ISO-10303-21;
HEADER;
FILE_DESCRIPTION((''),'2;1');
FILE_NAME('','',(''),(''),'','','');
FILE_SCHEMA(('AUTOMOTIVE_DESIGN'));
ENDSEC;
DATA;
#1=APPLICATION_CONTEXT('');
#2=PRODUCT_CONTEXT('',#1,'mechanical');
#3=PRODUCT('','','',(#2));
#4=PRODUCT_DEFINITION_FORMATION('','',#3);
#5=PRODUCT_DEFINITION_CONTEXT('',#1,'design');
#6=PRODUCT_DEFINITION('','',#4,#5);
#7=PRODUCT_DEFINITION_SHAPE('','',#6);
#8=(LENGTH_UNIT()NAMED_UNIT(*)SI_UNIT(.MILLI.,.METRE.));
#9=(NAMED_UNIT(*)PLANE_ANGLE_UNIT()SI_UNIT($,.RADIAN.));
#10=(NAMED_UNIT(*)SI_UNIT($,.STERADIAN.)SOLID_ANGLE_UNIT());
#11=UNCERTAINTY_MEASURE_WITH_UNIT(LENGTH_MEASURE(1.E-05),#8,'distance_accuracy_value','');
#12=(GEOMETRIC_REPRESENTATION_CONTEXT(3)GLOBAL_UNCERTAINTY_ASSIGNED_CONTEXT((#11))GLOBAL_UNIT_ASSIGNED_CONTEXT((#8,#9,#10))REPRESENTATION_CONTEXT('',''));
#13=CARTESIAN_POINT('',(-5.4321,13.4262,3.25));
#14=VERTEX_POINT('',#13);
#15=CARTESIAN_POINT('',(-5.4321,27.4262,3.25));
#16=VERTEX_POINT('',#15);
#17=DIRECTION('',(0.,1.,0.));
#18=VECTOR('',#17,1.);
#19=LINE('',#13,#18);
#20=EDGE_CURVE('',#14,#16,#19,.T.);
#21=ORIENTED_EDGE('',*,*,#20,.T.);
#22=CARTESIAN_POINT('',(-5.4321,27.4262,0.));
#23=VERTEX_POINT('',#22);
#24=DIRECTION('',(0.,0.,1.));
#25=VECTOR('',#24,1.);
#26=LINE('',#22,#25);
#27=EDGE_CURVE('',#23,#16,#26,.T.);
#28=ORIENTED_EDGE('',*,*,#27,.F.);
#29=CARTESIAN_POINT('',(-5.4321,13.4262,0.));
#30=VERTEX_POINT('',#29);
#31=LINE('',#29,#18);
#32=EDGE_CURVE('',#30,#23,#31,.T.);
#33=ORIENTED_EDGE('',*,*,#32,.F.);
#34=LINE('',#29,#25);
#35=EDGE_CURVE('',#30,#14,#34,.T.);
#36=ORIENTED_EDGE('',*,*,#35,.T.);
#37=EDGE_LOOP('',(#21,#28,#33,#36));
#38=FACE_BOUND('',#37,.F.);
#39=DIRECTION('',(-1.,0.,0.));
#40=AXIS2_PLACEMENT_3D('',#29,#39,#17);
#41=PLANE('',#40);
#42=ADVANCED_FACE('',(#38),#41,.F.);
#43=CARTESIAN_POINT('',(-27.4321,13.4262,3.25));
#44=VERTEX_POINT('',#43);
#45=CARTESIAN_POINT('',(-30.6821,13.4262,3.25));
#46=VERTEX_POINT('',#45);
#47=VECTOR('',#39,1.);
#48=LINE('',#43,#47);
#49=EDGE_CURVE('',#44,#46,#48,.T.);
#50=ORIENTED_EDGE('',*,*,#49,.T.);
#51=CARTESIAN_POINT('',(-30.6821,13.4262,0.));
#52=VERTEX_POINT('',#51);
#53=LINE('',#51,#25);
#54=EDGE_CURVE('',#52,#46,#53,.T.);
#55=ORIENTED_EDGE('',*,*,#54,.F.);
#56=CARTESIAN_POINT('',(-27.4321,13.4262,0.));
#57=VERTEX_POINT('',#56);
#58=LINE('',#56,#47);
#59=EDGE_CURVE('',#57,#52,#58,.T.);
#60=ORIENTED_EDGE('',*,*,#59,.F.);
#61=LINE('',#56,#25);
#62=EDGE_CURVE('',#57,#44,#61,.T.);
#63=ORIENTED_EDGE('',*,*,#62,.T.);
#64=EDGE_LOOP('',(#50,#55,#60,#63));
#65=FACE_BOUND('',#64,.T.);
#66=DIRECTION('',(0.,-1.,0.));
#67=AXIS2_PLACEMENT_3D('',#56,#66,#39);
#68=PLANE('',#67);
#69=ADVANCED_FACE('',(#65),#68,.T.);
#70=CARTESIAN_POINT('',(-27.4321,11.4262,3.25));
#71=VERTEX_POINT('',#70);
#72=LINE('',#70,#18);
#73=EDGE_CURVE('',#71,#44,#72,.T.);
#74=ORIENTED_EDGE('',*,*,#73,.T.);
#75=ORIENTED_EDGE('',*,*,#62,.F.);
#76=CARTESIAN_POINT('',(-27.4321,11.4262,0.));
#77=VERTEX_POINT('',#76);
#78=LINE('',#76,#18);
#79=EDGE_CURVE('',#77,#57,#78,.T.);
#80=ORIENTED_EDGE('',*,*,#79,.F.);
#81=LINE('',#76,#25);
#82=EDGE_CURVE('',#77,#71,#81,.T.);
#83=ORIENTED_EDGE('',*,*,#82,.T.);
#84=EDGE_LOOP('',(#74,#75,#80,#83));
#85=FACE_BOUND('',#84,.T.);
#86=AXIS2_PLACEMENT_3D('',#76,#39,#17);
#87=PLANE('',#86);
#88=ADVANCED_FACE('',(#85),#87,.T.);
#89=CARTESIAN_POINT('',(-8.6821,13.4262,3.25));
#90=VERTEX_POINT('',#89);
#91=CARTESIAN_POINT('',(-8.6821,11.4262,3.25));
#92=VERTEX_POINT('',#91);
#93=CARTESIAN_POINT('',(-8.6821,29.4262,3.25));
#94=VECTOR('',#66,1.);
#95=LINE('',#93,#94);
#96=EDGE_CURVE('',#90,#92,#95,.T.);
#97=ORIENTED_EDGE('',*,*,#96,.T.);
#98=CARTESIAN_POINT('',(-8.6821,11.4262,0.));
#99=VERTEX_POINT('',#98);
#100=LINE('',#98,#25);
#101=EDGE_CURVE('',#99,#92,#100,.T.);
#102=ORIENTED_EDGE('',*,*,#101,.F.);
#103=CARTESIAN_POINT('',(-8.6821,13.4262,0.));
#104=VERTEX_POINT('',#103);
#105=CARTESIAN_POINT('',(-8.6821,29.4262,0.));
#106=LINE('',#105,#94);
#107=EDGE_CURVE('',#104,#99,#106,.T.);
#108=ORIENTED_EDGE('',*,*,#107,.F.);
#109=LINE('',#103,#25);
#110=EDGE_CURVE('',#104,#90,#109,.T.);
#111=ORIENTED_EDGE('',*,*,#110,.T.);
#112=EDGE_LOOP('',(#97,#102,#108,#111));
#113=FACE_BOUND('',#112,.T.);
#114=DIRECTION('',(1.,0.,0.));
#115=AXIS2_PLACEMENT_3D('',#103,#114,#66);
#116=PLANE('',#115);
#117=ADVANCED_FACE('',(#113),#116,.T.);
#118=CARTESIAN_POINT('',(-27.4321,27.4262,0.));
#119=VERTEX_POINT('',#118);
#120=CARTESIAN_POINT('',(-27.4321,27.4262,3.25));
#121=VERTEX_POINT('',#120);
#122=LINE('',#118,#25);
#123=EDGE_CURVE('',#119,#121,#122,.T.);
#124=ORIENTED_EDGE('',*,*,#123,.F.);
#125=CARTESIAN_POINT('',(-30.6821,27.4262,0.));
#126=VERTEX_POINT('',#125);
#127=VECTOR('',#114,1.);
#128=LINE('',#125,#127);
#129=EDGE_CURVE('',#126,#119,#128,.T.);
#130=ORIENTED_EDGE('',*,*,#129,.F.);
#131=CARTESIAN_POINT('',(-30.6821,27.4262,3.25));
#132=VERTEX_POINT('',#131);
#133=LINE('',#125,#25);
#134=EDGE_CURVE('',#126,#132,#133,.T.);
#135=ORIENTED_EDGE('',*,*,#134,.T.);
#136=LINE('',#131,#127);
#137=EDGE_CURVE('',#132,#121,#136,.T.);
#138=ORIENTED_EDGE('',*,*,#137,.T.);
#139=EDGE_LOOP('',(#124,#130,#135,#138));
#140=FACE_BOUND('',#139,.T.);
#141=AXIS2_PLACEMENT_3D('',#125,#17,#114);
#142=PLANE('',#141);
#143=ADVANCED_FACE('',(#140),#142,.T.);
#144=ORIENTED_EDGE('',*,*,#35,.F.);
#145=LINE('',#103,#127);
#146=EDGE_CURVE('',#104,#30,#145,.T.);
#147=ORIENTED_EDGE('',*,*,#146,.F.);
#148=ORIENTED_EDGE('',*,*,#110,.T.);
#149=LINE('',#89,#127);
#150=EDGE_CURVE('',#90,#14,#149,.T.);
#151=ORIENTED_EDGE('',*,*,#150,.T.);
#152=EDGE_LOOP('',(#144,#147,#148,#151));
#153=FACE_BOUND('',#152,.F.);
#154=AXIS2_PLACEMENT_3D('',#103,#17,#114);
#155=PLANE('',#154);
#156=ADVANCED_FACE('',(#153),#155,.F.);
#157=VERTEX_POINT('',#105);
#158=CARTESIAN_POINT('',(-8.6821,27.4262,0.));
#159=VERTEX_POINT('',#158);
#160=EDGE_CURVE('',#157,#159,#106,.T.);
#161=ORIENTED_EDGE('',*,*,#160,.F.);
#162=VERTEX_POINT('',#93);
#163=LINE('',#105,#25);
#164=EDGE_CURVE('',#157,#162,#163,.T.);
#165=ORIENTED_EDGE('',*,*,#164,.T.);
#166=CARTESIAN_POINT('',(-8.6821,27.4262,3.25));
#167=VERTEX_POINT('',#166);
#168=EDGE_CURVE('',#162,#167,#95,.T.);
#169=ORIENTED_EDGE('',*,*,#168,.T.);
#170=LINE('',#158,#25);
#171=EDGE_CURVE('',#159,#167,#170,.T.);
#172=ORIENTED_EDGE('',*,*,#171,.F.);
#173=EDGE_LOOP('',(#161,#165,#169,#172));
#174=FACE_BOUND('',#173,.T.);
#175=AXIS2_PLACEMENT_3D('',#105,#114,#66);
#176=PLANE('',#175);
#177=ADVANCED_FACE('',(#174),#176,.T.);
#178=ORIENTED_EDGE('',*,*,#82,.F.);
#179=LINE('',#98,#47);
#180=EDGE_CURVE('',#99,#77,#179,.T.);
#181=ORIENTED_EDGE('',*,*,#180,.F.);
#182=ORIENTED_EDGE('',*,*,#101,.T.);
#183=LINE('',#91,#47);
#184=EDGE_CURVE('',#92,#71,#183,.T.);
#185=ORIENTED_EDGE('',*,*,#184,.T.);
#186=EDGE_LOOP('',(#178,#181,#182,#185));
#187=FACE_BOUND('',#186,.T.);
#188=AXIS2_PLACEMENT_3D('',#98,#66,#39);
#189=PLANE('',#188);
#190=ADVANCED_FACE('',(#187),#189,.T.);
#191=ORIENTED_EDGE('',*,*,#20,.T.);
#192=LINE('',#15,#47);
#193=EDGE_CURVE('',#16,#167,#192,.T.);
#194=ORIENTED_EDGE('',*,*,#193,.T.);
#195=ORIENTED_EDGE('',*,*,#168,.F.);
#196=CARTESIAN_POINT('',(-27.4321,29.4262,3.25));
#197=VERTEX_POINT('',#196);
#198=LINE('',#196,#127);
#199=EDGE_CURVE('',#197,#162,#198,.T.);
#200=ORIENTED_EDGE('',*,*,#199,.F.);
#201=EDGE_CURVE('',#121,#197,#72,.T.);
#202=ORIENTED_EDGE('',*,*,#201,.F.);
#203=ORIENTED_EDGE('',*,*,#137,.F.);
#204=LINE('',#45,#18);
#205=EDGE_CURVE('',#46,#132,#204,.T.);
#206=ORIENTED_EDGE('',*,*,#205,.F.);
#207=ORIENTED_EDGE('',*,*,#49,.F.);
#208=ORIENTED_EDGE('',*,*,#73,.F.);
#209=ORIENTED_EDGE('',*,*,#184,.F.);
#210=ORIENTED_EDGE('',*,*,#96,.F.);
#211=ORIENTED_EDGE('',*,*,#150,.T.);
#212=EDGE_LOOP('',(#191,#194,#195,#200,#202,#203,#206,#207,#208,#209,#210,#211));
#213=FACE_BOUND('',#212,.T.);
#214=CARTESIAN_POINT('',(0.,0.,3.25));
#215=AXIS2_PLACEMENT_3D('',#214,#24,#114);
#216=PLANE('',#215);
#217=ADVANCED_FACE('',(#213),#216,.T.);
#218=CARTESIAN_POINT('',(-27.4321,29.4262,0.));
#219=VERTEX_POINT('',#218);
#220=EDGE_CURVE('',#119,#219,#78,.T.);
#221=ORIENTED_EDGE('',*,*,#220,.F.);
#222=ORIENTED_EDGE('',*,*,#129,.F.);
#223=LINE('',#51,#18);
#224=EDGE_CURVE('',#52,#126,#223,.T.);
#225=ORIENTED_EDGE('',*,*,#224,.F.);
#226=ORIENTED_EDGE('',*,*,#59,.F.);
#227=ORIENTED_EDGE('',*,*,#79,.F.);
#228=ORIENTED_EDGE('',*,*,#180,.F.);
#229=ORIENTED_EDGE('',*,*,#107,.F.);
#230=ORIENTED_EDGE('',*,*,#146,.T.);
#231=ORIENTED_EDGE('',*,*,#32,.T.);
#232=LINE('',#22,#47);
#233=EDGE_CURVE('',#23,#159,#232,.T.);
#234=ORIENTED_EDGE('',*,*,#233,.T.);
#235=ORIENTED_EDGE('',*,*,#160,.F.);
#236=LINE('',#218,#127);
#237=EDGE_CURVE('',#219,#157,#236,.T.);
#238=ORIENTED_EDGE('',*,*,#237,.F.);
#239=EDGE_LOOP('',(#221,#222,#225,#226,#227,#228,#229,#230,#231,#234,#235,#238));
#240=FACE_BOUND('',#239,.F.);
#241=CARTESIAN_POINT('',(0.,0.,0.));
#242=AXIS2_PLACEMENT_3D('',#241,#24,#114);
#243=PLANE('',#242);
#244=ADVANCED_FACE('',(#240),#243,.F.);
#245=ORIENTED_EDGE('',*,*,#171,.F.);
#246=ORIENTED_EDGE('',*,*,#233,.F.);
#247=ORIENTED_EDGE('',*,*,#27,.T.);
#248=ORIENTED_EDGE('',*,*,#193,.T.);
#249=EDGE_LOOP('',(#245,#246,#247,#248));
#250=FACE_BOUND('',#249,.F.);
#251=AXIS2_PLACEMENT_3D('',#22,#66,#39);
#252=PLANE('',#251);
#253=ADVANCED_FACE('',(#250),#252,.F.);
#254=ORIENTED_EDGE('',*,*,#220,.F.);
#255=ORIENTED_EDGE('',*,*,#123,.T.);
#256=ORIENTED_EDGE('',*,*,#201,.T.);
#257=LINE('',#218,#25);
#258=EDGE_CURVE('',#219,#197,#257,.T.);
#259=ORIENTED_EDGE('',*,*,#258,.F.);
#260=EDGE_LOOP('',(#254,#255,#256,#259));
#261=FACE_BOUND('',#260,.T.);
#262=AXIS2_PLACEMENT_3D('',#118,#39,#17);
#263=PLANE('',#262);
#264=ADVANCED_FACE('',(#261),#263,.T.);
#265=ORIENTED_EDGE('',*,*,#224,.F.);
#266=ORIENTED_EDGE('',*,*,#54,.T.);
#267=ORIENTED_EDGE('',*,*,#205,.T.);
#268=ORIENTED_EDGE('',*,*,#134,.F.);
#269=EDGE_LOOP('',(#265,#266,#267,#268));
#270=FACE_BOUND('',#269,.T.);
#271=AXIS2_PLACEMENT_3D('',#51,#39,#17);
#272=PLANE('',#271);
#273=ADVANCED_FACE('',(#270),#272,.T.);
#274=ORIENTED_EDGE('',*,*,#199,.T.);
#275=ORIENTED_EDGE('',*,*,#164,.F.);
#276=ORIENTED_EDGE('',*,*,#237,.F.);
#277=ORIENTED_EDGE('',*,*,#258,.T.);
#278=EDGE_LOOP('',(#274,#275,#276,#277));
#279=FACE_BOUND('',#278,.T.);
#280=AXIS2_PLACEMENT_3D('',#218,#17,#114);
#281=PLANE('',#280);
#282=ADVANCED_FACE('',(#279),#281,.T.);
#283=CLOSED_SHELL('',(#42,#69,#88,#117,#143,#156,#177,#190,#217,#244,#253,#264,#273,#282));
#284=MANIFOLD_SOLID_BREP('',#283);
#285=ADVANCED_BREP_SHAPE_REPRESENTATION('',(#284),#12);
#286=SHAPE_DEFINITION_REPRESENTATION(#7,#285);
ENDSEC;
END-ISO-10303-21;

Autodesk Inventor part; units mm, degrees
ref_plane "YZ Plane" through (0, 0, 0) normal (1, 0, 0) x (0, 1, 0)
ref_plane "XZ Plane" through (0, 0, 0) normal (0, 1, 0) x (-1, 0, 0)
ref_plane "XY Plane" through (0, 0, 0) normal (0, 0, 1) x (1, 0, 0)
sketch "Block1" plane through (0, 0, 0) normal (0, 0, 1) x (1, 0, 0)
  circle A0 centre (74.029, 24.2723) radius 1
  line L0 (49.279, 30.4723) -> (71.779, 30.4723)
  line L1 (71.779, 30.4723) -> (71.779, 18.0723)
  line L2 (71.779, 18.0723) -> (49.279, 18.0723)
  line L3 (49.279, 18.0723) -> (49.279, 30.4723)
  line L4 (49.279, 30.4723) -> (44.779, 30.4723)
  line L5 (44.779, 30.4723) -> (44.779, 18.0723)
  line L6 (44.779, 18.0723) -> (49.279, 18.0723)
  line L7 (49.279, 18.0723) -> (49.279, 30.4723)
  line L8 (71.779, 30.4723) -> (76.279, 30.4723)
  line L9 (76.279, 30.4723) -> (76.279, 18.0723)
  line L10 (76.279, 18.0723) -> (71.779, 18.0723)
  line L11 (71.779, 18.0723) -> (71.779, 30.4723)
  line L12 (44.779, 24.2723) -> (76.279, 24.2723) construction
  line L13 (47.029, 30.4723) -> (47.029, 18.0723) construction
  circle A1 centre (47.029, 24.2723) radius 1
  line L14 (74.029, 30.4723) -> (74.029, 18.0723) construction
  point P0 (60.979, 24.0984)
  dimension "d7" = 22.5
  dimension "d8" = 12.4
  dimension "d9" = 4.5
  dimension "d10" = 4.5
  dimension "d11" = 2
  dimension "d12" = 2
sketch "Sketch1" plane through (0, 0, 0) normal (0, 0, 1) x (1, 0, 0)
  line L0 (-92.7646, -8.503) -> (-89.7646, -8.503)
  line L1 (-89.7646, -8.503) -> (-89.7646, -11.753)
  line L2 (-89.7646, -11.753) -> (-92.7646, -11.753)
  line L3 (-92.7646, -11.753) -> (-92.7646, -8.503)
  line L4 (-92.7646, -21.6527) -> (-89.7646, -21.6527)
  line L5 (-89.7646, -21.6527) -> (-89.7646, -21.7527)
  line L6 (-89.7646, -21.7527) -> (-92.7646, -21.7527)
  line L7 (-92.7646, -21.7527) -> (-92.7646, -21.6527)
  line L8 (-27.4321, 29.4262) -> (-8.6821, 29.4262)
  line L9 (-8.6821, 29.4262) -> (-8.6821, 11.4262)
  line L10 (-8.6821, 11.4262) -> (-27.4321, 11.4262)
  line L11 (-27.4321, 11.4262) -> (-27.4321, 29.4262)
  line L12 (-27.4321, 20.4262) -> (-8.6821, 20.4262) construction
  line L13 (-30.6821, 27.4262) -> (-27.4321, 27.4262)
  line L14 (-27.4321, 27.4262) -> (-27.4321, 13.4262)
  line L15 (-27.4321, 13.4262) -> (-30.6821, 13.4262)
  line L16 (-30.6821, 13.4262) -> (-30.6821, 27.4262)
  line L17 (-30.6821, 20.4262) -> (-27.4321, 20.4262) construction
  line L18 (-18.0571, 29.4262) -> (-18.0571, 11.4262) construction
  line L19 (-5.4321, 27.4262) -> (-8.6821, 27.4262)
  line L20 (-8.6821, 27.4262) -> (-8.6821, 13.4262)
  line L21 (-8.6821, 13.4262) -> (-5.4321, 13.4262)
  line L22 (-5.4321, 13.4262) -> (-5.4321, 27.4262)
  line L23 (-5.4321, 20.4262) -> (-8.6821, 20.4262) construction
  point P0 (0, 0)
  dimension "d0" = 3
  dimension "mat" = 3.25
  dimension "d2" = 3
  dimension "d3" = 0.1
  dimension "d36" = 18.75
  dimension "d37" = 18
  dimension "d38" = 3.25
  dimension "d39" = 14
extrude "Extrusion4" add sketch "Sketch1" along normal blind 3.25 contours L8 L9 L10 L11 | L11 L15 L16 L13 | L19 L22 L21 L9
equation "\"d38\" = mat"
equation "\"d40\" = mat"
properties part number "arm-servo"
